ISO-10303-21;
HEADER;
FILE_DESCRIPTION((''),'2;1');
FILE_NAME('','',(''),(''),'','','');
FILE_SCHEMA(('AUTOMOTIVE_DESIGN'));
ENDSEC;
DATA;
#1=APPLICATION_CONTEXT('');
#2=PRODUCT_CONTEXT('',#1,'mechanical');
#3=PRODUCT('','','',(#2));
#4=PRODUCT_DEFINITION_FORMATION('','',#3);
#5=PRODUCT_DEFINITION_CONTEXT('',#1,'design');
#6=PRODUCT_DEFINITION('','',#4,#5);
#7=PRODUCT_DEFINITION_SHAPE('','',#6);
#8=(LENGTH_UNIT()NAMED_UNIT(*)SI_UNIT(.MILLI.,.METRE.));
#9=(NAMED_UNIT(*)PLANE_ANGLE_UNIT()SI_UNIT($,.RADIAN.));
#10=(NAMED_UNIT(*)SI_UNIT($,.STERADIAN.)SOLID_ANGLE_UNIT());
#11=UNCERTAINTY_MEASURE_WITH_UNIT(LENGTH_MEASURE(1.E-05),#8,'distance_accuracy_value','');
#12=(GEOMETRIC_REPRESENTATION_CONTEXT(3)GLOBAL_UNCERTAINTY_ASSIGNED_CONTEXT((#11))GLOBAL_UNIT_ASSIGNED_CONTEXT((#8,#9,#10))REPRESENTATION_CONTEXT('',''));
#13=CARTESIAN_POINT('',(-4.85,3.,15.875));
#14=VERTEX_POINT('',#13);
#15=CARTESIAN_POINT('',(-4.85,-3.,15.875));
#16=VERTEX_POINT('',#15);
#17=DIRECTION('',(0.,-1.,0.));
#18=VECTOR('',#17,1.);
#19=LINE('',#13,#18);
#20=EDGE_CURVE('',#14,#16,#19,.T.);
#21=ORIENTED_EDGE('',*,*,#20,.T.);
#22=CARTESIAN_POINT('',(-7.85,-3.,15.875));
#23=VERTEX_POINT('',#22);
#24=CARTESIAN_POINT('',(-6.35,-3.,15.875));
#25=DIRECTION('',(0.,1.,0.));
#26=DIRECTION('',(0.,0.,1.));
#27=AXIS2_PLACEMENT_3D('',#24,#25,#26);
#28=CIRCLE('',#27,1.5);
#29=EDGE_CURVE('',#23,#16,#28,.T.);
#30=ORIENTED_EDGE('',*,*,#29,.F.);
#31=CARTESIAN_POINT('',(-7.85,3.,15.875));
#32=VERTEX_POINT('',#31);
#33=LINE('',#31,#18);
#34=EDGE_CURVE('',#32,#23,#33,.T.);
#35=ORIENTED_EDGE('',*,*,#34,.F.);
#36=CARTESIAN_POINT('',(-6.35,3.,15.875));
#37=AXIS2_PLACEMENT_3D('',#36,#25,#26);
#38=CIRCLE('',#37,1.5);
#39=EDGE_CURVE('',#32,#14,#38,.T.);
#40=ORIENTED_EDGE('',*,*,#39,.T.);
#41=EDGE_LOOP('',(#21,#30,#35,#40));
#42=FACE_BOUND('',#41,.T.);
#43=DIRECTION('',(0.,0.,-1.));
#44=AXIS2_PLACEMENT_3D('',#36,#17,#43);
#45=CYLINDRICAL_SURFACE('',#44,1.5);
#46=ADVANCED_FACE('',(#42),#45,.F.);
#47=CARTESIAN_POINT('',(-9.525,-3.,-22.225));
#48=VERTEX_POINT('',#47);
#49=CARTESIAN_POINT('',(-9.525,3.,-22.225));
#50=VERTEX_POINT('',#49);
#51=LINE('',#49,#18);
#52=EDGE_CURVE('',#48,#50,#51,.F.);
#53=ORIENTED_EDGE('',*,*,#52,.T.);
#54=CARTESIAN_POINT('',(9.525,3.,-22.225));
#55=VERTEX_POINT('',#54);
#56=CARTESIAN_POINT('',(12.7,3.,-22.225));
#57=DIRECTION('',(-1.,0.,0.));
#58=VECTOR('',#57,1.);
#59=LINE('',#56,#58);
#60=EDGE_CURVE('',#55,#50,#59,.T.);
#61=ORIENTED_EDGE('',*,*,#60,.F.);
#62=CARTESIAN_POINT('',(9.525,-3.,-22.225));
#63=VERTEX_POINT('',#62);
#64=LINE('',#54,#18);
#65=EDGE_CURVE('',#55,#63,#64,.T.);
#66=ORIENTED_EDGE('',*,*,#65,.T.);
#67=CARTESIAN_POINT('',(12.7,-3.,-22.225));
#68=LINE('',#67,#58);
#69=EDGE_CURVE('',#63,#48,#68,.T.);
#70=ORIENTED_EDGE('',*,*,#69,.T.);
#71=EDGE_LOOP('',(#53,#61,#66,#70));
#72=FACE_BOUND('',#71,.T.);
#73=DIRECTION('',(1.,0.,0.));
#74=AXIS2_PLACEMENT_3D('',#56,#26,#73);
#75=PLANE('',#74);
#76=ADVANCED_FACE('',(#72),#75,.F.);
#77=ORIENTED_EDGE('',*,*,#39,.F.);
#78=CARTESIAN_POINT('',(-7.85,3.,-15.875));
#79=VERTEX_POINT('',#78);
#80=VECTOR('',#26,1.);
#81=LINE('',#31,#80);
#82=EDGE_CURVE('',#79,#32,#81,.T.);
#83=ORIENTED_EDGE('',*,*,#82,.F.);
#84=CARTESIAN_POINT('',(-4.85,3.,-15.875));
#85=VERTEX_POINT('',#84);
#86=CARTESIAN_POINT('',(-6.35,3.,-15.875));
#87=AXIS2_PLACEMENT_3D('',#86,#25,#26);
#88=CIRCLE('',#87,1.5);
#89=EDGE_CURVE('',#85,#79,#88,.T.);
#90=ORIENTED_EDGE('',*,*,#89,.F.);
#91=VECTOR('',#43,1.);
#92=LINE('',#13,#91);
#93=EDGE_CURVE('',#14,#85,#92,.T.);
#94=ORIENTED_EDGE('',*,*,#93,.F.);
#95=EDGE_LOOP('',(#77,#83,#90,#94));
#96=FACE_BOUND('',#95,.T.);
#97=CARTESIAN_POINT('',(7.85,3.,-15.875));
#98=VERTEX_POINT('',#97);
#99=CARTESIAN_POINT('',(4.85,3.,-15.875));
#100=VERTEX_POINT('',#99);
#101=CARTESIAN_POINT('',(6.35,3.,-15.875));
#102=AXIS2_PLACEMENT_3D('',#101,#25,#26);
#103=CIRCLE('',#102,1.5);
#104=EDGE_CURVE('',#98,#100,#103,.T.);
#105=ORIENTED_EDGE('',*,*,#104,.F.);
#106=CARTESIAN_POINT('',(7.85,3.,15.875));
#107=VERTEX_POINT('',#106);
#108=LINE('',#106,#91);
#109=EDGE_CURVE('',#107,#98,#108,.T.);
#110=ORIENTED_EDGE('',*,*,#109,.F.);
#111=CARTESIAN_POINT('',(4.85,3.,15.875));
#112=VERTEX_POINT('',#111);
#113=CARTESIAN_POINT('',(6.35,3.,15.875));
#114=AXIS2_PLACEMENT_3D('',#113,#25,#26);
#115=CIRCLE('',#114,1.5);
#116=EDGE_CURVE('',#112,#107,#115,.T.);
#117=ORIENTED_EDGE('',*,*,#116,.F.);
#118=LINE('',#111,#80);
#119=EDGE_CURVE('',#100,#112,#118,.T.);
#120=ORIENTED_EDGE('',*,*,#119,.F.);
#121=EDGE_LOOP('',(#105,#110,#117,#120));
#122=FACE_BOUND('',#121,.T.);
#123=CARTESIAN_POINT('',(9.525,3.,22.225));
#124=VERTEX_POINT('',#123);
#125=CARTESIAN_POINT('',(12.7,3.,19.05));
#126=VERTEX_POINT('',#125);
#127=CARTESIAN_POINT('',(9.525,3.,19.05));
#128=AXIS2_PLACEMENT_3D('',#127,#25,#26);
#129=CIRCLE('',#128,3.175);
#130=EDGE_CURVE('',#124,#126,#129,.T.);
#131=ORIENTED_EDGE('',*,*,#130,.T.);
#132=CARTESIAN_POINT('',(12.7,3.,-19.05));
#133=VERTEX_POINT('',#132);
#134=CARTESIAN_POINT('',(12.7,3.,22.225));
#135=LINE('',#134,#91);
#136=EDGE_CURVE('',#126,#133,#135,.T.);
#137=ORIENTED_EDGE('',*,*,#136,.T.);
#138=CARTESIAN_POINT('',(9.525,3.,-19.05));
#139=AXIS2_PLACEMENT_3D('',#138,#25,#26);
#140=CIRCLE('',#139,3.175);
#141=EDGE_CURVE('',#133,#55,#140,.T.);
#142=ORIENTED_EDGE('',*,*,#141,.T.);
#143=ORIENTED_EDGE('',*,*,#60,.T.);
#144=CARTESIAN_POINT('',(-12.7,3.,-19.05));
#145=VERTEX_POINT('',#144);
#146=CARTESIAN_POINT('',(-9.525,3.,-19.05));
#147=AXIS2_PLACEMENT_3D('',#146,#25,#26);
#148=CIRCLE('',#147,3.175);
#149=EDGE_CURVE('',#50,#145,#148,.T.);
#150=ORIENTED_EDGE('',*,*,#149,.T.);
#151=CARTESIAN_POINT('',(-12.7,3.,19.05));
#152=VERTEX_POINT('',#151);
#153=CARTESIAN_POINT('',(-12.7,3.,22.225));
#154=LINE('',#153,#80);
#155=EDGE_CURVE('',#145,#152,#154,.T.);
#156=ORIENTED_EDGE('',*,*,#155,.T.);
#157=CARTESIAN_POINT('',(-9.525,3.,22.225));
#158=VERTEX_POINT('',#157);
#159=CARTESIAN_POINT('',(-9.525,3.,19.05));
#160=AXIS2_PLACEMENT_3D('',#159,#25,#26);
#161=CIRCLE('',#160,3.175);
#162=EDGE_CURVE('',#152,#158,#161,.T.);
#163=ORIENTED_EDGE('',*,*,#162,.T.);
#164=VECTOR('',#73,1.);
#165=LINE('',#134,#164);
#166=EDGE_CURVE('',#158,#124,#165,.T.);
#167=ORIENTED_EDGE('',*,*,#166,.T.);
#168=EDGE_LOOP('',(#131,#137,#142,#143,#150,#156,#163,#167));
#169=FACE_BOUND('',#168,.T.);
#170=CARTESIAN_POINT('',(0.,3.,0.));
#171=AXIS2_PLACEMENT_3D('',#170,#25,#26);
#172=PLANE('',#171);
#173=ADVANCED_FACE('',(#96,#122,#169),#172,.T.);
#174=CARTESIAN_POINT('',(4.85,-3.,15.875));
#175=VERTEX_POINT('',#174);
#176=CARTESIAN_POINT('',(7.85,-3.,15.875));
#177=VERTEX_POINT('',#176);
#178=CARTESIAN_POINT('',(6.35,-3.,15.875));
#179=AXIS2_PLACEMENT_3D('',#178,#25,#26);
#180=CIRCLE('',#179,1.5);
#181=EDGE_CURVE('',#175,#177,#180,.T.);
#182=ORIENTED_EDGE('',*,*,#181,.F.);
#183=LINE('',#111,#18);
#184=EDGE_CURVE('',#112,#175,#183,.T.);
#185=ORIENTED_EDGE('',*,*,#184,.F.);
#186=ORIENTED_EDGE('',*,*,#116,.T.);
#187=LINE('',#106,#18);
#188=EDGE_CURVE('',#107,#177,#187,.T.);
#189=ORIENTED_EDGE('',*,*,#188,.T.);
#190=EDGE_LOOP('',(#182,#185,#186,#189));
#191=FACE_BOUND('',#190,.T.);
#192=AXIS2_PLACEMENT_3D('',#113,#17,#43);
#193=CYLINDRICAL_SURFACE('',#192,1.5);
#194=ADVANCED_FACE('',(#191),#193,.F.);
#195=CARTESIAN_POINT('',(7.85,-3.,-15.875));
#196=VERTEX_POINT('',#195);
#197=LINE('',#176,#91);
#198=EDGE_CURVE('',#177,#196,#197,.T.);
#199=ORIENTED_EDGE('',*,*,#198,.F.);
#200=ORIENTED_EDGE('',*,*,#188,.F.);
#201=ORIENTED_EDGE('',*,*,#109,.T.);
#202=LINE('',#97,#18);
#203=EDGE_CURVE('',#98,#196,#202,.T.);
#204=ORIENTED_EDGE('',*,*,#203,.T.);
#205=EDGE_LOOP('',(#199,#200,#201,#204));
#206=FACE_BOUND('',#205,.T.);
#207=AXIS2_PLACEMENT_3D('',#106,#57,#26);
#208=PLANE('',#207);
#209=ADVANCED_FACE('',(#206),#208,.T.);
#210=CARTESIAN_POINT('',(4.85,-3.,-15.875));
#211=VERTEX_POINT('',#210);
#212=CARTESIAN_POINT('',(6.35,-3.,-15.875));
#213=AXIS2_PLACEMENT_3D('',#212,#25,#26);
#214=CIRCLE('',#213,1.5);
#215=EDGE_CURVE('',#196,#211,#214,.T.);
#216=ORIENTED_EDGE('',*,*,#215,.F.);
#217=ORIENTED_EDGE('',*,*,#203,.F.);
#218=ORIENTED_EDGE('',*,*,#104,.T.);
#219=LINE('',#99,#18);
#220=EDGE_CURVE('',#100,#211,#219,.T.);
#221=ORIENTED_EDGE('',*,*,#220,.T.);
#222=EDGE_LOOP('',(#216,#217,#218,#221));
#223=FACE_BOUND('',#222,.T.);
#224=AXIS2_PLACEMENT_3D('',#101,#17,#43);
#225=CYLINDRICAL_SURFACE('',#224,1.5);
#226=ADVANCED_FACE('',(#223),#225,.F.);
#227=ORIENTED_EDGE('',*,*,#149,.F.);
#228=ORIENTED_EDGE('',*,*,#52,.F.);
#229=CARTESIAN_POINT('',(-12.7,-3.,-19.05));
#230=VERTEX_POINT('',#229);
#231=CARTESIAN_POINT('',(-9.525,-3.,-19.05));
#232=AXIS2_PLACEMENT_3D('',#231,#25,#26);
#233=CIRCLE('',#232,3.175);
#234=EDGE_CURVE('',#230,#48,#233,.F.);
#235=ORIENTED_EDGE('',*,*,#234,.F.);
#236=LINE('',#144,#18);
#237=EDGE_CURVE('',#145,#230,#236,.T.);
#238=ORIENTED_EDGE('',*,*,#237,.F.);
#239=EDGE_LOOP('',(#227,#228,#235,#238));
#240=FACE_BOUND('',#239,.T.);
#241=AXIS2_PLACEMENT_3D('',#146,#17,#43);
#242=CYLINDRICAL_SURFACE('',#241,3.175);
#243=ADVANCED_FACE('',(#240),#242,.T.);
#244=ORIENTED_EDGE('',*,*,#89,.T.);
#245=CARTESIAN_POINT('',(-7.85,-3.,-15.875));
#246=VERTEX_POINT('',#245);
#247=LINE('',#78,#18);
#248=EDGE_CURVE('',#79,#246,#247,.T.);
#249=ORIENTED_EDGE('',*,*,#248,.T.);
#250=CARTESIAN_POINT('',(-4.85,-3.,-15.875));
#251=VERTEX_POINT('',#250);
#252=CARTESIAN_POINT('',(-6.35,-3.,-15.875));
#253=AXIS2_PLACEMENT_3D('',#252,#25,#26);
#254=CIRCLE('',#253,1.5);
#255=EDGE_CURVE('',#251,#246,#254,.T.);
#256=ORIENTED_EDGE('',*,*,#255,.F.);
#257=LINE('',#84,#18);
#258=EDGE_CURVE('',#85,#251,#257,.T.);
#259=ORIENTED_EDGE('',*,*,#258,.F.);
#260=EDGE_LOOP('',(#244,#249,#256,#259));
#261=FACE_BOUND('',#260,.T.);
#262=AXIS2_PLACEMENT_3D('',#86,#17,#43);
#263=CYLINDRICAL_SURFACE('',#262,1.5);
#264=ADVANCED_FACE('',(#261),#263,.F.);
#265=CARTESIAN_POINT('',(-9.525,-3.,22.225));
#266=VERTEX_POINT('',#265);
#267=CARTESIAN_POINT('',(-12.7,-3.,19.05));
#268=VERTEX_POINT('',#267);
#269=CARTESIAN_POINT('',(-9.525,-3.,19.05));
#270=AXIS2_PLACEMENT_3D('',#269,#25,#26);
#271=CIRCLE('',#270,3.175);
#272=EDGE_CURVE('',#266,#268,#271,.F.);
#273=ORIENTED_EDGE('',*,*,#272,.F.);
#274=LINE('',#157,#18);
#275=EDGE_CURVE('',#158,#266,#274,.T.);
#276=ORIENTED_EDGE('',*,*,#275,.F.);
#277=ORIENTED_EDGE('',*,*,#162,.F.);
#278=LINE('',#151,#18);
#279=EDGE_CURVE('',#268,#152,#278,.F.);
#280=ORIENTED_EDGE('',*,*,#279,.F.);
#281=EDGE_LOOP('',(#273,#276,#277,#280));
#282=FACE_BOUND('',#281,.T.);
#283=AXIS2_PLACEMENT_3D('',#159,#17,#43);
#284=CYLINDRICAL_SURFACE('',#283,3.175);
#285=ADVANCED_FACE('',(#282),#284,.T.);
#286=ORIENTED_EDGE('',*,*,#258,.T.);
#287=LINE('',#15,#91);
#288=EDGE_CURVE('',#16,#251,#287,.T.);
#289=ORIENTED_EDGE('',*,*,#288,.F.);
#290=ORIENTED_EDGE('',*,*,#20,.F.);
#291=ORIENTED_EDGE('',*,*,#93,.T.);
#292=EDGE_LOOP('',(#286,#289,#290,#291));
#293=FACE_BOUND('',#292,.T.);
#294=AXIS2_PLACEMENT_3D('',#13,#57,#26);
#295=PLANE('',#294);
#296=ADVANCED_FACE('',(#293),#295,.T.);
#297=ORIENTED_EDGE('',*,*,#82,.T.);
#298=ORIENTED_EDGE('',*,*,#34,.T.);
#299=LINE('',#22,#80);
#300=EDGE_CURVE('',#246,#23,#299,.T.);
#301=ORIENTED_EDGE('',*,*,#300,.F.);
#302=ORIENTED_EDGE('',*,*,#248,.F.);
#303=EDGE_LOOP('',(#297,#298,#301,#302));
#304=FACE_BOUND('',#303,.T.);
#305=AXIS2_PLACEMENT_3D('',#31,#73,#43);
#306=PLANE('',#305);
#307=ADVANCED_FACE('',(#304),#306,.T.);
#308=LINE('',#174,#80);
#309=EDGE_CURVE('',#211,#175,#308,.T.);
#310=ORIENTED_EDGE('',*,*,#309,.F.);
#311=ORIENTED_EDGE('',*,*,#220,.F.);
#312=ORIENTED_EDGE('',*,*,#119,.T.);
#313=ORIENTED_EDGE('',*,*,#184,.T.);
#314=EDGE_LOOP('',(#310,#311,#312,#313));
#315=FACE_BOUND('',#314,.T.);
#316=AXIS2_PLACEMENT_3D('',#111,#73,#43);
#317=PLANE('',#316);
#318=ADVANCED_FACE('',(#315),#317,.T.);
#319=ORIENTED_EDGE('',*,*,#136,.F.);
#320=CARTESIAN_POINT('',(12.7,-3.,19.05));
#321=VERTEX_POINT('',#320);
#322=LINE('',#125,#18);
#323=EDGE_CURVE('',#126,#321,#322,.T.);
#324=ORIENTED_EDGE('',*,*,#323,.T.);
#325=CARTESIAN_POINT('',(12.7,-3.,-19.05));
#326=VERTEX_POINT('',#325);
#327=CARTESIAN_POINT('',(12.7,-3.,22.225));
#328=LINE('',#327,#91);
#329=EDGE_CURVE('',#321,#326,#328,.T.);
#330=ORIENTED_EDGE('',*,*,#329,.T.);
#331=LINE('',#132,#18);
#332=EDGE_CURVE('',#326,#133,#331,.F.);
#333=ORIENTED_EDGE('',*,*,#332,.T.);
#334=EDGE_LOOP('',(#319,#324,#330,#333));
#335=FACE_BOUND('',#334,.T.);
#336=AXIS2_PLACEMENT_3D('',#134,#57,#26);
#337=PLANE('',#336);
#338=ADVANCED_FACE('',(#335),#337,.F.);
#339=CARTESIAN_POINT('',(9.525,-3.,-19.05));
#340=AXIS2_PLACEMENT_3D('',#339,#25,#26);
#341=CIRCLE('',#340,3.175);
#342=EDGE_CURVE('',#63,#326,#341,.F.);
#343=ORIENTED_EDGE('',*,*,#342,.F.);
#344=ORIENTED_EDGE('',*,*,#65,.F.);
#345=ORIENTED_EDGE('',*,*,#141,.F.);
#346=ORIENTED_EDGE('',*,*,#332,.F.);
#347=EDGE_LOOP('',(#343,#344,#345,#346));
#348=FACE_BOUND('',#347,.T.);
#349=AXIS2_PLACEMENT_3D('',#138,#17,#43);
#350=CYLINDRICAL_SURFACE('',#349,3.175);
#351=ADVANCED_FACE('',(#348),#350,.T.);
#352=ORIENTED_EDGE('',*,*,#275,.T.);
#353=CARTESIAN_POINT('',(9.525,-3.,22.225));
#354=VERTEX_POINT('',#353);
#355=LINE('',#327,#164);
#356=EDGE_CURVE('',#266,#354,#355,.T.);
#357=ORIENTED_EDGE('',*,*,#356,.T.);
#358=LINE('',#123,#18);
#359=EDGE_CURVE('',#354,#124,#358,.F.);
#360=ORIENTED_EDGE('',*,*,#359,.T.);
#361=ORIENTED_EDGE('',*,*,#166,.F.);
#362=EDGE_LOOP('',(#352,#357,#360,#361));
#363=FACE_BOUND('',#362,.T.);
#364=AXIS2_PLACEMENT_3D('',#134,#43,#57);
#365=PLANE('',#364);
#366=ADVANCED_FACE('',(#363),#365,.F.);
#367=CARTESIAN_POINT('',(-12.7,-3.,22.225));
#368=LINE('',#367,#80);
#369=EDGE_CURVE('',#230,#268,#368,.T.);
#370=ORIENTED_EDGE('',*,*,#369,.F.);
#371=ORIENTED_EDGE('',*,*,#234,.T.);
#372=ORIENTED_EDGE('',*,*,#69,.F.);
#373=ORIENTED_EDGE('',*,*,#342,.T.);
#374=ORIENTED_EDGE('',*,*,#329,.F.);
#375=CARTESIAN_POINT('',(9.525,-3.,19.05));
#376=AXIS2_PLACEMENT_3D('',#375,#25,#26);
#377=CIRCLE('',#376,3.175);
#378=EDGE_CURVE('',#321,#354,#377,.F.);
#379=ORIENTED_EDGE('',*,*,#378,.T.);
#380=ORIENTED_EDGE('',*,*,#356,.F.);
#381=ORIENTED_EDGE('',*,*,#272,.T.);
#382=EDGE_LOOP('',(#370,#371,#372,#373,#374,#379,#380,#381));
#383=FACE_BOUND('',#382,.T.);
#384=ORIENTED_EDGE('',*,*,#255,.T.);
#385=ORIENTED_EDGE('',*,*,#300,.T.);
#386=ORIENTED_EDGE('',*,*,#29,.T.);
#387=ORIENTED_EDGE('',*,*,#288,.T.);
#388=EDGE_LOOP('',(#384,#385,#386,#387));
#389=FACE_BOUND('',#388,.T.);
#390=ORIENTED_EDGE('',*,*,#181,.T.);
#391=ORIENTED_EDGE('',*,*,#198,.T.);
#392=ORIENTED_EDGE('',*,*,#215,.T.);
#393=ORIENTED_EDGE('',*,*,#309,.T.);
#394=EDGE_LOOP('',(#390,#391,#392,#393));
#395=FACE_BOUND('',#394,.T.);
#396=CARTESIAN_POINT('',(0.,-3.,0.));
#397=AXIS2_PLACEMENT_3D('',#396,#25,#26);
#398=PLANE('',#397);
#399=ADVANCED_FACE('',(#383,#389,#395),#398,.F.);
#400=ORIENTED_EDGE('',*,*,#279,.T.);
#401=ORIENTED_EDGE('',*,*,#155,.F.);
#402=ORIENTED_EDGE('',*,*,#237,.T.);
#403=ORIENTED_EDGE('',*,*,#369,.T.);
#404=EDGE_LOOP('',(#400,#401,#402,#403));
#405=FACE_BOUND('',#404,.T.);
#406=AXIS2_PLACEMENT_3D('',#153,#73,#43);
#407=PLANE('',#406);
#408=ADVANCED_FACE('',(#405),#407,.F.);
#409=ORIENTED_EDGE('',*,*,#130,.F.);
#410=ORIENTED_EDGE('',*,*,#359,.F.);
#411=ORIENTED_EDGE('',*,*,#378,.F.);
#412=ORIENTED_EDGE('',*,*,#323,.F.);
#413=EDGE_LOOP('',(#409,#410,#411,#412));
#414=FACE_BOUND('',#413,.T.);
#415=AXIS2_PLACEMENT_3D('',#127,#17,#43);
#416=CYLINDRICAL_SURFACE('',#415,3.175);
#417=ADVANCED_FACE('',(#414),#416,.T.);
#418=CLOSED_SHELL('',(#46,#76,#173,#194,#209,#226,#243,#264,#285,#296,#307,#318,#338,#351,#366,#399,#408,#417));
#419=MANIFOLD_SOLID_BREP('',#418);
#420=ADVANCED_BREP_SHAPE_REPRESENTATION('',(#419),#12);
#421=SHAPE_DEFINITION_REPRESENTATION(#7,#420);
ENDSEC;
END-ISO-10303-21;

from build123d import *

# Parameters (mm, degrees)
SKETCH1_W           = 25.4
SKETCH1_H           = 44.45
BOSS_EXTRUDE1_DEPTH = 3
FILLET1_R           = 3.175


with BuildPart() as part:
    # Sketch1 → Boss-Extrude1 (new, symmetric)
    with BuildSketch(Plane(origin=(0, 0, 0), x_dir=(1, 0, 0), z_dir=(0, 1, 0))):
        Rectangle(SKETCH1_W, SKETCH1_H)
        with BuildLine():
            Line((-7.85, -15.875), (-7.85, 15.875))
            ThreePointArc((-7.85, 15.875), (-6.35, 17.375), (-4.85, 15.875))
            Line((-4.85, 15.875), (-4.85, -15.875))
            ThreePointArc((-4.85, -15.875), (-6.35, -17.375), (-7.85, -15.875))
        make_face(mode=Mode.SUBTRACT)
        with BuildLine():
            Line((4.85, -15.875), (4.85, 15.875))
            ThreePointArc((4.85, 15.875), (6.35, 17.375), (7.85, 15.875))
            Line((7.85, 15.875), (7.85, -15.875))
            ThreePointArc((7.85, -15.875), (6.35, -17.375), (4.85, -15.875))
        make_face(mode=Mode.SUBTRACT)
    extrude(amount=BOSS_EXTRUDE1_DEPTH, both=True)

    # Fillet1
    fillet1_edges = [part.edges().sort_by_distance(p)[0] for p in [
        (-12.7, 0, -22.225),
        (12.7, 0, -22.225),
        (12.7, 0, 22.225),
        (-12.7, 0, 22.225),
    ]]
    fillet(fillet1_edges, radius=FILLET1_R)


solid = part.part
